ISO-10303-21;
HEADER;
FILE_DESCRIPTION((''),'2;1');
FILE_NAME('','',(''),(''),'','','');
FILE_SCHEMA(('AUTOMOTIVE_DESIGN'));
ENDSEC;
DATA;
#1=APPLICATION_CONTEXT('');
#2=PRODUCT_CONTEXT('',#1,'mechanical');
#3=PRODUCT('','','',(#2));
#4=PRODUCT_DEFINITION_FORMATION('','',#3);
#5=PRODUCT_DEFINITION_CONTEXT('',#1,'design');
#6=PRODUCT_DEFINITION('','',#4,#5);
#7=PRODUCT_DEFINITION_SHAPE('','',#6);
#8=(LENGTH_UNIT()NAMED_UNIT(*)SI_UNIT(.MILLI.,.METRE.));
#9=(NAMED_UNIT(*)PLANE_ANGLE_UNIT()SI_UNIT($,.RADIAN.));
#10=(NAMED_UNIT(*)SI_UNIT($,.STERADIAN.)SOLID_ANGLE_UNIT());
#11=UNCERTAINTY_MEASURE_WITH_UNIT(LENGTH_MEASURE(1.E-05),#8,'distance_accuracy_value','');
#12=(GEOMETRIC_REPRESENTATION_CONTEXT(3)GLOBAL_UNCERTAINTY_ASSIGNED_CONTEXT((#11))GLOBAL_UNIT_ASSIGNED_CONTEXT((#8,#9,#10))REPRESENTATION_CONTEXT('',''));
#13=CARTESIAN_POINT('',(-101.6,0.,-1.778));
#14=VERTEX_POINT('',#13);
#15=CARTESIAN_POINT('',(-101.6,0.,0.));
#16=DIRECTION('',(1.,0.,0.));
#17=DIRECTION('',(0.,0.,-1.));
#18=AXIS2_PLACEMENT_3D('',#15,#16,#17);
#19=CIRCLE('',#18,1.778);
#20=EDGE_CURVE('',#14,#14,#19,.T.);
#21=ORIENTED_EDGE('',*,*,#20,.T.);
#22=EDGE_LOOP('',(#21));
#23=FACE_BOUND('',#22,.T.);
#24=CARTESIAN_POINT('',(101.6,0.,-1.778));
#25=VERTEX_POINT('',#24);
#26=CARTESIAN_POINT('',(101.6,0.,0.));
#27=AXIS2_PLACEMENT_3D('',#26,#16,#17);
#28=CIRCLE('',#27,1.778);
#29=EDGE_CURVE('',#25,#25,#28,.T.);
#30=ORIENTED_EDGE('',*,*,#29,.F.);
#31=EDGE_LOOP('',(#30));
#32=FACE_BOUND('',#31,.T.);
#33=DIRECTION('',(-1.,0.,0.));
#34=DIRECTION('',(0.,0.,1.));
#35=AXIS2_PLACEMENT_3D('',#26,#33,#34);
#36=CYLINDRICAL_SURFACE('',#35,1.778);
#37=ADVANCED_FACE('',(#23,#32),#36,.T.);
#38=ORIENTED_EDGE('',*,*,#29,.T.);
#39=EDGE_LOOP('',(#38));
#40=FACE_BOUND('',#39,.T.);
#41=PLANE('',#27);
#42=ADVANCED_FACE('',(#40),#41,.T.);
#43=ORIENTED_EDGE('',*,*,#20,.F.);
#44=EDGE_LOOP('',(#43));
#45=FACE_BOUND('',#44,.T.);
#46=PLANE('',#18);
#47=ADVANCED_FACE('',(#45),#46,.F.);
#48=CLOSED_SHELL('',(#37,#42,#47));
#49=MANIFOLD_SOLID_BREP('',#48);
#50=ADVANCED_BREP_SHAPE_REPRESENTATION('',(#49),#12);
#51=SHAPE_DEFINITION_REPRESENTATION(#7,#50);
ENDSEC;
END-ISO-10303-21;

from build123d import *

# Parameters (mm, degrees)
SKETCH1_R           = 1.778
BOSS_EXTRUDE1_DEPTH = 101.6


with BuildPart() as part:
    # Sketch1 → Boss-Extrude1 (new body, symmetric)
    with BuildSketch(Plane(origin=(0, 0, 0), x_dir=(0, 0, -1), z_dir=(1, 0, 0))):
        Circle(SKETCH1_R)
    extrude(amount=BOSS_EXTRUDE1_DEPTH, both=True)


solid = part.part
